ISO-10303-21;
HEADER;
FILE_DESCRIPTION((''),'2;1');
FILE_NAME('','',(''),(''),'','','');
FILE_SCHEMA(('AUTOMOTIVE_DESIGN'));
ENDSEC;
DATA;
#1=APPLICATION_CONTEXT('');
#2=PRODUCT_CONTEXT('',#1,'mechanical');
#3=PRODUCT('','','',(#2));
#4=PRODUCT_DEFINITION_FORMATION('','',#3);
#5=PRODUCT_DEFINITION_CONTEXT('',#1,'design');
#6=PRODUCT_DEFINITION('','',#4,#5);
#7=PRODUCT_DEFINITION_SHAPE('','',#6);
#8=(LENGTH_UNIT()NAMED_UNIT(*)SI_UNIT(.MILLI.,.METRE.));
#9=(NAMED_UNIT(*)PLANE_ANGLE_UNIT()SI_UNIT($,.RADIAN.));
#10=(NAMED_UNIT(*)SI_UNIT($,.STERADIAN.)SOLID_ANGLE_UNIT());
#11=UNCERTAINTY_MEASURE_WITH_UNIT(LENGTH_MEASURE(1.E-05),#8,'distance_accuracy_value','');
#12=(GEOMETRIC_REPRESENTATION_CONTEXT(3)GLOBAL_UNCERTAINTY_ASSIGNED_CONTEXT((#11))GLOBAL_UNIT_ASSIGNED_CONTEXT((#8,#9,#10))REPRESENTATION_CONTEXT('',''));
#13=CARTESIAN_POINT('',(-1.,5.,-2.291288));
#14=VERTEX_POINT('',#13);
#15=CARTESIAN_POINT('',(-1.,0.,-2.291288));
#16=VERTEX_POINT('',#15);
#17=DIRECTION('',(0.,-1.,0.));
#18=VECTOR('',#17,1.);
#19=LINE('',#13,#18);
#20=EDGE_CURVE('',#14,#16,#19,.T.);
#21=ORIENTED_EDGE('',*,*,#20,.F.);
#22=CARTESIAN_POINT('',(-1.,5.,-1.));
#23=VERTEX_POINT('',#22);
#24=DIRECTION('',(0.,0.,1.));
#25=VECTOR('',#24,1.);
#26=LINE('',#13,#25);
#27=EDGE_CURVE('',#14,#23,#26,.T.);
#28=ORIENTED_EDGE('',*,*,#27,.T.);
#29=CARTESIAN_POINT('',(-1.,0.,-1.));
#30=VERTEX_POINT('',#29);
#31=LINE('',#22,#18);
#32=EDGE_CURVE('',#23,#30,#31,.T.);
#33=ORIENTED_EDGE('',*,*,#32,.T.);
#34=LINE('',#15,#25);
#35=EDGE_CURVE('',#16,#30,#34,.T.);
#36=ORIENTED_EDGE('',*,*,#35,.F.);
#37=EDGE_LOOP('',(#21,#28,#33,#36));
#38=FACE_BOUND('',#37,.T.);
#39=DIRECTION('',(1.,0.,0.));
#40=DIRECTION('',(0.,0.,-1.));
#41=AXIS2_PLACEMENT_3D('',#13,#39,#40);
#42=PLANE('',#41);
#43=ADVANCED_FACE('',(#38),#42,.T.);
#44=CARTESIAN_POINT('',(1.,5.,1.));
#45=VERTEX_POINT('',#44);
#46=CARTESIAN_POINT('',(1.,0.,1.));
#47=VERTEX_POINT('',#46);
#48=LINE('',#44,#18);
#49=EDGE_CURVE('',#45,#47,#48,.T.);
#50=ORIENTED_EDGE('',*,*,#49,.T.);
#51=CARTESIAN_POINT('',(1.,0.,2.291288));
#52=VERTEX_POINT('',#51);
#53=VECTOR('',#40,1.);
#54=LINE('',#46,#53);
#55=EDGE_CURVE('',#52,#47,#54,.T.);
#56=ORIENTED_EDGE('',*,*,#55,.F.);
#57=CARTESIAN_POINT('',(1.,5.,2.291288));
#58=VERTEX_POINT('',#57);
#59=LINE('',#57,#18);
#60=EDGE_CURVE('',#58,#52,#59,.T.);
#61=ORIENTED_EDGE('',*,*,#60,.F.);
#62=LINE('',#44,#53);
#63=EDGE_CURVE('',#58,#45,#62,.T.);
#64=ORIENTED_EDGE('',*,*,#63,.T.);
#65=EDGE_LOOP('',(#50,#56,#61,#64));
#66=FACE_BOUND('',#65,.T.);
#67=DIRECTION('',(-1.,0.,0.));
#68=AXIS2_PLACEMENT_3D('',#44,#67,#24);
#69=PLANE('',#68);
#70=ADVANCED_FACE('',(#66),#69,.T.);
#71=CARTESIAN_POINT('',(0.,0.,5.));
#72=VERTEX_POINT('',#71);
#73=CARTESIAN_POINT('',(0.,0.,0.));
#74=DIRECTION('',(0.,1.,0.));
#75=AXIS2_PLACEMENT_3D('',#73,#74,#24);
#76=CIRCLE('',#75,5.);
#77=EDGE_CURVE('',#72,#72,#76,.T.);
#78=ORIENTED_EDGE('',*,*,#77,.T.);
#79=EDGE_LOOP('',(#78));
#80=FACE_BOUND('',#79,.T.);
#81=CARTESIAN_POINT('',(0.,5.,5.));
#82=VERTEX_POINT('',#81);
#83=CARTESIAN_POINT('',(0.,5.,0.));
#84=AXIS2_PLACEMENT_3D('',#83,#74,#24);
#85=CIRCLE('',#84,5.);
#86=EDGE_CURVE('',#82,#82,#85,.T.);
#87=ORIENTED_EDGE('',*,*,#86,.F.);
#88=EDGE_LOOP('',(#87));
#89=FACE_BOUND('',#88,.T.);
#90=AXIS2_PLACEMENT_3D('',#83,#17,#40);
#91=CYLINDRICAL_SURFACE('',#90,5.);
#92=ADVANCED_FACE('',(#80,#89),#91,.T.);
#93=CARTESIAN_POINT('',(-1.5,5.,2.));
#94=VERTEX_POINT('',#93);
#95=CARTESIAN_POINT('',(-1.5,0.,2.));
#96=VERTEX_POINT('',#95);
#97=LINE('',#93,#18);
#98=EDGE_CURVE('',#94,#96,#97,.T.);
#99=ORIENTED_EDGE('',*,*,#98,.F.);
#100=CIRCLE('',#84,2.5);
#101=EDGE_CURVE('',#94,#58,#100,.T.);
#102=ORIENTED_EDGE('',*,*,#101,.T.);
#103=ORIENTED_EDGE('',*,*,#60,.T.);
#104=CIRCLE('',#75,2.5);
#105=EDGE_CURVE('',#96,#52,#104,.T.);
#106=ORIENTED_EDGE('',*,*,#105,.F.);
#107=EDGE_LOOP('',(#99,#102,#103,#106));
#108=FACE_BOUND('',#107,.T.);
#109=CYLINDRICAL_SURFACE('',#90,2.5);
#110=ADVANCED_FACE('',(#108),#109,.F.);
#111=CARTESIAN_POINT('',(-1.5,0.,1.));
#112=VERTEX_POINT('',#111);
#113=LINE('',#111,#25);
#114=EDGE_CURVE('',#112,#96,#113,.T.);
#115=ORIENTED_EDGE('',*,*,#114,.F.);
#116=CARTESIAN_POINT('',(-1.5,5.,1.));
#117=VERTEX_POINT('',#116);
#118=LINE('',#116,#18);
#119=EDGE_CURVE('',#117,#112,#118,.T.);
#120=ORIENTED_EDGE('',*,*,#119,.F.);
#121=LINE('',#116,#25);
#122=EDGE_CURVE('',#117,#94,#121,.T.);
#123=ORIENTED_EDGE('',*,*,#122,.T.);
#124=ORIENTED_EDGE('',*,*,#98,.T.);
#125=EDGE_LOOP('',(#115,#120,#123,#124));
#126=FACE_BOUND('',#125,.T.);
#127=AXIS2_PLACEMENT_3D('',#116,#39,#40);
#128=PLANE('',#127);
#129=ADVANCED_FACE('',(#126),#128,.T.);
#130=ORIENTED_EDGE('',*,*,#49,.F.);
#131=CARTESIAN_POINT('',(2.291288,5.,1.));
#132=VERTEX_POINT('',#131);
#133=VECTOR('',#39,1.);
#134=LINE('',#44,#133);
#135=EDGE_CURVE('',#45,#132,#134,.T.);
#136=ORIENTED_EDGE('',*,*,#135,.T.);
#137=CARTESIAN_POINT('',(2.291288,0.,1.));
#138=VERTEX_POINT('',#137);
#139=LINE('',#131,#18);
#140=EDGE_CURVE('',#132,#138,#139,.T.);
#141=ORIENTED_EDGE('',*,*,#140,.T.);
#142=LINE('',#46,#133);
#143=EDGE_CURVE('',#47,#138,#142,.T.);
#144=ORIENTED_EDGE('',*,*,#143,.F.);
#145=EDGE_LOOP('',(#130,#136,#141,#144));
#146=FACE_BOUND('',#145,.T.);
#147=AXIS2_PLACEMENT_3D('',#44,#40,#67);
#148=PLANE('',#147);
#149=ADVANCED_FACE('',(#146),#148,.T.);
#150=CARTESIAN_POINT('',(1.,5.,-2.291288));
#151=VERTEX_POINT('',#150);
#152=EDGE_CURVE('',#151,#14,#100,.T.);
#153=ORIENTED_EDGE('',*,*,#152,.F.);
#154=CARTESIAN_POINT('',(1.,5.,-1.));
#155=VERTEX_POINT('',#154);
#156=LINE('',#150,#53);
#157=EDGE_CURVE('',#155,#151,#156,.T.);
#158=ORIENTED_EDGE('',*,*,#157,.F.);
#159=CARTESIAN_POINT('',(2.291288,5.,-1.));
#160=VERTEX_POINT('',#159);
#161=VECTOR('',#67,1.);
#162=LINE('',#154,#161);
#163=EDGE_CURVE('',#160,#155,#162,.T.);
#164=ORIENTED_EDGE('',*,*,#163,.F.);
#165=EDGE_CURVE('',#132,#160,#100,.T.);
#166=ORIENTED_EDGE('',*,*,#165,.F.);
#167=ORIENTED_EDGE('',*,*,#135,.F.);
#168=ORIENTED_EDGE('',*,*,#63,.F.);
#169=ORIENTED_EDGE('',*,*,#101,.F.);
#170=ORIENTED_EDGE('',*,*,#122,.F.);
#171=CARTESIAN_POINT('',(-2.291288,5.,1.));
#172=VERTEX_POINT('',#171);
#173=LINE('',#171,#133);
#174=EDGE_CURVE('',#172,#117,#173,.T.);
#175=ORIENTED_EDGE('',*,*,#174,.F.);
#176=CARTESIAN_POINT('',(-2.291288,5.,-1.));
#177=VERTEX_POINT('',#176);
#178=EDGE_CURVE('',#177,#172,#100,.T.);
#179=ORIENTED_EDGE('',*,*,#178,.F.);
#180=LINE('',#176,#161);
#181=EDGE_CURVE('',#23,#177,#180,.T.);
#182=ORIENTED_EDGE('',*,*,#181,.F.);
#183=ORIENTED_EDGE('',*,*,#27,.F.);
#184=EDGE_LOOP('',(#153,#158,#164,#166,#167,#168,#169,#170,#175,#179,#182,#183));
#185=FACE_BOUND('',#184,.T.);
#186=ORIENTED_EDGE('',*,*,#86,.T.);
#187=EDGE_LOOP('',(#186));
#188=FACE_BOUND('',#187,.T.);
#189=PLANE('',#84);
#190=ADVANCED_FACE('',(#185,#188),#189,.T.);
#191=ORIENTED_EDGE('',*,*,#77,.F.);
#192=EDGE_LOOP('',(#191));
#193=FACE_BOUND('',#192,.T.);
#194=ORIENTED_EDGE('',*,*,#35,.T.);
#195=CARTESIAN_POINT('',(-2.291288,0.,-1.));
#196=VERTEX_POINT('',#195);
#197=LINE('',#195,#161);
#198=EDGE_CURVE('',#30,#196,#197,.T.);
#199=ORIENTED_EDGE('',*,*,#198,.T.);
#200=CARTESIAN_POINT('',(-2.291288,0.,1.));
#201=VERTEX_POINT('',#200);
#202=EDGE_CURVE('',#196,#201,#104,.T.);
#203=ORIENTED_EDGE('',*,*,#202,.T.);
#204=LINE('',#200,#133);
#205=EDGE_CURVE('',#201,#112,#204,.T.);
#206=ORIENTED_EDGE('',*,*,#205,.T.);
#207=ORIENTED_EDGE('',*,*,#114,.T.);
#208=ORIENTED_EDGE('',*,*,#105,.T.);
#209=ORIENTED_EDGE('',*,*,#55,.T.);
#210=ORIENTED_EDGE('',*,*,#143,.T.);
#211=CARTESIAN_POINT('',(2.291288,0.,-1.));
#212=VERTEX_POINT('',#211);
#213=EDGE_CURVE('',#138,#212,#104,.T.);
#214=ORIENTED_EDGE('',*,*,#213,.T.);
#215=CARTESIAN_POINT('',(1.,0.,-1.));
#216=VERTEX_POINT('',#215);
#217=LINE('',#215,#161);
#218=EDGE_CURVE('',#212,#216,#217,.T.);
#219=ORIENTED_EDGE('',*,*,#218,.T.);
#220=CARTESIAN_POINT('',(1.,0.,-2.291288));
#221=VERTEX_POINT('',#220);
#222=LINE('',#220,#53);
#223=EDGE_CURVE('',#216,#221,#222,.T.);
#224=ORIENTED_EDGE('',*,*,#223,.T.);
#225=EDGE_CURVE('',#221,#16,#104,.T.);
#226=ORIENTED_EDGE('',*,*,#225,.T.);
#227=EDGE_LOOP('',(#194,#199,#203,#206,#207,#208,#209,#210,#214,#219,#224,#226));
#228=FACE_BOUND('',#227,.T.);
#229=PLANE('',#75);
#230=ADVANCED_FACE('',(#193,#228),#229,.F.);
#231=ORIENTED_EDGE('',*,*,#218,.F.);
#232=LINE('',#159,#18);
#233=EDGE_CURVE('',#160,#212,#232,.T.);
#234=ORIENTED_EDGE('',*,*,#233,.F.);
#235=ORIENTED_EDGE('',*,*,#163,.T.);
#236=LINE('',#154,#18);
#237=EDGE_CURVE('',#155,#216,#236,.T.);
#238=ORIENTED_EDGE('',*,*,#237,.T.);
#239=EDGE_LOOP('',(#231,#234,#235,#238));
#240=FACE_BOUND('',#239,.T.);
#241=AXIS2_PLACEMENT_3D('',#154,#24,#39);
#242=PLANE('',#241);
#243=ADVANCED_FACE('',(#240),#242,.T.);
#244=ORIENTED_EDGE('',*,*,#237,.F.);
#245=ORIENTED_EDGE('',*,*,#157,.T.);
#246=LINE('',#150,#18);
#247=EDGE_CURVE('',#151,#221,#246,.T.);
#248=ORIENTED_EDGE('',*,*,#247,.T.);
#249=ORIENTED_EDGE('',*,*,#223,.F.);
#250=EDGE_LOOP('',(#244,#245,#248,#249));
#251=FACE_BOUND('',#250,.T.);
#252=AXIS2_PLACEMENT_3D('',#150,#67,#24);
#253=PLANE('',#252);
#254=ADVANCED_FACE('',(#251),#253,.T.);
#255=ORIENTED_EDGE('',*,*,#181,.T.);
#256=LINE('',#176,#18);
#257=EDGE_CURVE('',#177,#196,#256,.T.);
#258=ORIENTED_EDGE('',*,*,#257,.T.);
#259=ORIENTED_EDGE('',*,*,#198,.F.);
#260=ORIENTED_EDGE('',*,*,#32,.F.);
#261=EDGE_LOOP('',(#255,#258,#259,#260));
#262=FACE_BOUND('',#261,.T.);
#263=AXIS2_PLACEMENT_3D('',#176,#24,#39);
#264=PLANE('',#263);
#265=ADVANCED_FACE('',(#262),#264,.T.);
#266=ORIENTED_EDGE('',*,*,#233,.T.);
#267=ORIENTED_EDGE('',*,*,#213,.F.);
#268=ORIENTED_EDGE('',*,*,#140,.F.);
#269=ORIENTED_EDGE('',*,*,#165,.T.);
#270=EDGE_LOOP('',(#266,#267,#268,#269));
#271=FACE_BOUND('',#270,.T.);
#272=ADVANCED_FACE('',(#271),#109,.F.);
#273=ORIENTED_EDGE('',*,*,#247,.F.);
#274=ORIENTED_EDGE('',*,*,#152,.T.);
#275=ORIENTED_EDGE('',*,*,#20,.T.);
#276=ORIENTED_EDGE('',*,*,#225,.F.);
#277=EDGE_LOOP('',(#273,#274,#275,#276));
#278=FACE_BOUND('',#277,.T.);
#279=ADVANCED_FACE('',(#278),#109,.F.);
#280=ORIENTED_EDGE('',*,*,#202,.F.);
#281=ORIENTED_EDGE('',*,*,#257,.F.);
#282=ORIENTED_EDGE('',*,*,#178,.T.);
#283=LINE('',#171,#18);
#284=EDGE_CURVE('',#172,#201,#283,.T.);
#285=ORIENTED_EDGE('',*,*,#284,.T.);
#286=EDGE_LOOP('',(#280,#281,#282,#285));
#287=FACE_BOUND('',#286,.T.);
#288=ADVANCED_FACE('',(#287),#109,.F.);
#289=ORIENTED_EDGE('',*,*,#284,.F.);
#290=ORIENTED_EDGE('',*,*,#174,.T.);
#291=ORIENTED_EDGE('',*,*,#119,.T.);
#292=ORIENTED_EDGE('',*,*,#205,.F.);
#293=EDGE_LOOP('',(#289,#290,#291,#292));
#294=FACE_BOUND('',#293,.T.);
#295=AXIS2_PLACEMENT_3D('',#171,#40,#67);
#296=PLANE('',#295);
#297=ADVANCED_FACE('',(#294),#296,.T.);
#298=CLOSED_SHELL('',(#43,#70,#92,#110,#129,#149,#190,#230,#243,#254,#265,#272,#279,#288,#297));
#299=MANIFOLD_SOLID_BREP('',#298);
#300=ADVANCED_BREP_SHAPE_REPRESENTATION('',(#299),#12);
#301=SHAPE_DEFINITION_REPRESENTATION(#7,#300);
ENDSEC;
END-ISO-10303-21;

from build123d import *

# Parameters (mm, degrees)
SKETCH1_R           = 5
BOSS_EXTRUDE1_DEPTH = 5


with BuildPart() as part:
    # Sketch1 → Boss-Extrude1 (new body)
    with BuildSketch(Plane(origin=(0, 0, 0), x_dir=(1, 0, 0), z_dir=(0, 1, 0))):
        with Locations(Location((0, 0, 0), (0, 0, 270))):
            Circle(SKETCH1_R)
        with BuildLine():
            Line((1, -1), (1, -2.291287847))
            ThreePointArc((1, -2.291287847), (-0.289330525, -2.483201129), (-1.5, -2))
            Line((-1.5, -2), (-1.5, -1))
            Line((-1.5, -1), (-2.291287847, -1))
            ThreePointArc((-2.291287847, -1), (-2.5, 0), (-2.291287847, 1))
            Line((-2.291287847, 1), (-1, 1))
            Line((-1, 1), (-1, 2.291287847))
            ThreePointArc((-1, 2.291287847), (0, 2.5), (1, 2.291287847))
            Line((1, 2.291287847), (1, 1))
            Line((1, 1), (2.291287847, 1))
            ThreePointArc((2.291287847, 1), (2.5, 0), (2.291287847, -1))
            Line((2.291287847, -1), (1, -1))
        make_face(mode=Mode.SUBTRACT)
    extrude(amount=BOSS_EXTRUDE1_DEPTH)


solid = part.part
